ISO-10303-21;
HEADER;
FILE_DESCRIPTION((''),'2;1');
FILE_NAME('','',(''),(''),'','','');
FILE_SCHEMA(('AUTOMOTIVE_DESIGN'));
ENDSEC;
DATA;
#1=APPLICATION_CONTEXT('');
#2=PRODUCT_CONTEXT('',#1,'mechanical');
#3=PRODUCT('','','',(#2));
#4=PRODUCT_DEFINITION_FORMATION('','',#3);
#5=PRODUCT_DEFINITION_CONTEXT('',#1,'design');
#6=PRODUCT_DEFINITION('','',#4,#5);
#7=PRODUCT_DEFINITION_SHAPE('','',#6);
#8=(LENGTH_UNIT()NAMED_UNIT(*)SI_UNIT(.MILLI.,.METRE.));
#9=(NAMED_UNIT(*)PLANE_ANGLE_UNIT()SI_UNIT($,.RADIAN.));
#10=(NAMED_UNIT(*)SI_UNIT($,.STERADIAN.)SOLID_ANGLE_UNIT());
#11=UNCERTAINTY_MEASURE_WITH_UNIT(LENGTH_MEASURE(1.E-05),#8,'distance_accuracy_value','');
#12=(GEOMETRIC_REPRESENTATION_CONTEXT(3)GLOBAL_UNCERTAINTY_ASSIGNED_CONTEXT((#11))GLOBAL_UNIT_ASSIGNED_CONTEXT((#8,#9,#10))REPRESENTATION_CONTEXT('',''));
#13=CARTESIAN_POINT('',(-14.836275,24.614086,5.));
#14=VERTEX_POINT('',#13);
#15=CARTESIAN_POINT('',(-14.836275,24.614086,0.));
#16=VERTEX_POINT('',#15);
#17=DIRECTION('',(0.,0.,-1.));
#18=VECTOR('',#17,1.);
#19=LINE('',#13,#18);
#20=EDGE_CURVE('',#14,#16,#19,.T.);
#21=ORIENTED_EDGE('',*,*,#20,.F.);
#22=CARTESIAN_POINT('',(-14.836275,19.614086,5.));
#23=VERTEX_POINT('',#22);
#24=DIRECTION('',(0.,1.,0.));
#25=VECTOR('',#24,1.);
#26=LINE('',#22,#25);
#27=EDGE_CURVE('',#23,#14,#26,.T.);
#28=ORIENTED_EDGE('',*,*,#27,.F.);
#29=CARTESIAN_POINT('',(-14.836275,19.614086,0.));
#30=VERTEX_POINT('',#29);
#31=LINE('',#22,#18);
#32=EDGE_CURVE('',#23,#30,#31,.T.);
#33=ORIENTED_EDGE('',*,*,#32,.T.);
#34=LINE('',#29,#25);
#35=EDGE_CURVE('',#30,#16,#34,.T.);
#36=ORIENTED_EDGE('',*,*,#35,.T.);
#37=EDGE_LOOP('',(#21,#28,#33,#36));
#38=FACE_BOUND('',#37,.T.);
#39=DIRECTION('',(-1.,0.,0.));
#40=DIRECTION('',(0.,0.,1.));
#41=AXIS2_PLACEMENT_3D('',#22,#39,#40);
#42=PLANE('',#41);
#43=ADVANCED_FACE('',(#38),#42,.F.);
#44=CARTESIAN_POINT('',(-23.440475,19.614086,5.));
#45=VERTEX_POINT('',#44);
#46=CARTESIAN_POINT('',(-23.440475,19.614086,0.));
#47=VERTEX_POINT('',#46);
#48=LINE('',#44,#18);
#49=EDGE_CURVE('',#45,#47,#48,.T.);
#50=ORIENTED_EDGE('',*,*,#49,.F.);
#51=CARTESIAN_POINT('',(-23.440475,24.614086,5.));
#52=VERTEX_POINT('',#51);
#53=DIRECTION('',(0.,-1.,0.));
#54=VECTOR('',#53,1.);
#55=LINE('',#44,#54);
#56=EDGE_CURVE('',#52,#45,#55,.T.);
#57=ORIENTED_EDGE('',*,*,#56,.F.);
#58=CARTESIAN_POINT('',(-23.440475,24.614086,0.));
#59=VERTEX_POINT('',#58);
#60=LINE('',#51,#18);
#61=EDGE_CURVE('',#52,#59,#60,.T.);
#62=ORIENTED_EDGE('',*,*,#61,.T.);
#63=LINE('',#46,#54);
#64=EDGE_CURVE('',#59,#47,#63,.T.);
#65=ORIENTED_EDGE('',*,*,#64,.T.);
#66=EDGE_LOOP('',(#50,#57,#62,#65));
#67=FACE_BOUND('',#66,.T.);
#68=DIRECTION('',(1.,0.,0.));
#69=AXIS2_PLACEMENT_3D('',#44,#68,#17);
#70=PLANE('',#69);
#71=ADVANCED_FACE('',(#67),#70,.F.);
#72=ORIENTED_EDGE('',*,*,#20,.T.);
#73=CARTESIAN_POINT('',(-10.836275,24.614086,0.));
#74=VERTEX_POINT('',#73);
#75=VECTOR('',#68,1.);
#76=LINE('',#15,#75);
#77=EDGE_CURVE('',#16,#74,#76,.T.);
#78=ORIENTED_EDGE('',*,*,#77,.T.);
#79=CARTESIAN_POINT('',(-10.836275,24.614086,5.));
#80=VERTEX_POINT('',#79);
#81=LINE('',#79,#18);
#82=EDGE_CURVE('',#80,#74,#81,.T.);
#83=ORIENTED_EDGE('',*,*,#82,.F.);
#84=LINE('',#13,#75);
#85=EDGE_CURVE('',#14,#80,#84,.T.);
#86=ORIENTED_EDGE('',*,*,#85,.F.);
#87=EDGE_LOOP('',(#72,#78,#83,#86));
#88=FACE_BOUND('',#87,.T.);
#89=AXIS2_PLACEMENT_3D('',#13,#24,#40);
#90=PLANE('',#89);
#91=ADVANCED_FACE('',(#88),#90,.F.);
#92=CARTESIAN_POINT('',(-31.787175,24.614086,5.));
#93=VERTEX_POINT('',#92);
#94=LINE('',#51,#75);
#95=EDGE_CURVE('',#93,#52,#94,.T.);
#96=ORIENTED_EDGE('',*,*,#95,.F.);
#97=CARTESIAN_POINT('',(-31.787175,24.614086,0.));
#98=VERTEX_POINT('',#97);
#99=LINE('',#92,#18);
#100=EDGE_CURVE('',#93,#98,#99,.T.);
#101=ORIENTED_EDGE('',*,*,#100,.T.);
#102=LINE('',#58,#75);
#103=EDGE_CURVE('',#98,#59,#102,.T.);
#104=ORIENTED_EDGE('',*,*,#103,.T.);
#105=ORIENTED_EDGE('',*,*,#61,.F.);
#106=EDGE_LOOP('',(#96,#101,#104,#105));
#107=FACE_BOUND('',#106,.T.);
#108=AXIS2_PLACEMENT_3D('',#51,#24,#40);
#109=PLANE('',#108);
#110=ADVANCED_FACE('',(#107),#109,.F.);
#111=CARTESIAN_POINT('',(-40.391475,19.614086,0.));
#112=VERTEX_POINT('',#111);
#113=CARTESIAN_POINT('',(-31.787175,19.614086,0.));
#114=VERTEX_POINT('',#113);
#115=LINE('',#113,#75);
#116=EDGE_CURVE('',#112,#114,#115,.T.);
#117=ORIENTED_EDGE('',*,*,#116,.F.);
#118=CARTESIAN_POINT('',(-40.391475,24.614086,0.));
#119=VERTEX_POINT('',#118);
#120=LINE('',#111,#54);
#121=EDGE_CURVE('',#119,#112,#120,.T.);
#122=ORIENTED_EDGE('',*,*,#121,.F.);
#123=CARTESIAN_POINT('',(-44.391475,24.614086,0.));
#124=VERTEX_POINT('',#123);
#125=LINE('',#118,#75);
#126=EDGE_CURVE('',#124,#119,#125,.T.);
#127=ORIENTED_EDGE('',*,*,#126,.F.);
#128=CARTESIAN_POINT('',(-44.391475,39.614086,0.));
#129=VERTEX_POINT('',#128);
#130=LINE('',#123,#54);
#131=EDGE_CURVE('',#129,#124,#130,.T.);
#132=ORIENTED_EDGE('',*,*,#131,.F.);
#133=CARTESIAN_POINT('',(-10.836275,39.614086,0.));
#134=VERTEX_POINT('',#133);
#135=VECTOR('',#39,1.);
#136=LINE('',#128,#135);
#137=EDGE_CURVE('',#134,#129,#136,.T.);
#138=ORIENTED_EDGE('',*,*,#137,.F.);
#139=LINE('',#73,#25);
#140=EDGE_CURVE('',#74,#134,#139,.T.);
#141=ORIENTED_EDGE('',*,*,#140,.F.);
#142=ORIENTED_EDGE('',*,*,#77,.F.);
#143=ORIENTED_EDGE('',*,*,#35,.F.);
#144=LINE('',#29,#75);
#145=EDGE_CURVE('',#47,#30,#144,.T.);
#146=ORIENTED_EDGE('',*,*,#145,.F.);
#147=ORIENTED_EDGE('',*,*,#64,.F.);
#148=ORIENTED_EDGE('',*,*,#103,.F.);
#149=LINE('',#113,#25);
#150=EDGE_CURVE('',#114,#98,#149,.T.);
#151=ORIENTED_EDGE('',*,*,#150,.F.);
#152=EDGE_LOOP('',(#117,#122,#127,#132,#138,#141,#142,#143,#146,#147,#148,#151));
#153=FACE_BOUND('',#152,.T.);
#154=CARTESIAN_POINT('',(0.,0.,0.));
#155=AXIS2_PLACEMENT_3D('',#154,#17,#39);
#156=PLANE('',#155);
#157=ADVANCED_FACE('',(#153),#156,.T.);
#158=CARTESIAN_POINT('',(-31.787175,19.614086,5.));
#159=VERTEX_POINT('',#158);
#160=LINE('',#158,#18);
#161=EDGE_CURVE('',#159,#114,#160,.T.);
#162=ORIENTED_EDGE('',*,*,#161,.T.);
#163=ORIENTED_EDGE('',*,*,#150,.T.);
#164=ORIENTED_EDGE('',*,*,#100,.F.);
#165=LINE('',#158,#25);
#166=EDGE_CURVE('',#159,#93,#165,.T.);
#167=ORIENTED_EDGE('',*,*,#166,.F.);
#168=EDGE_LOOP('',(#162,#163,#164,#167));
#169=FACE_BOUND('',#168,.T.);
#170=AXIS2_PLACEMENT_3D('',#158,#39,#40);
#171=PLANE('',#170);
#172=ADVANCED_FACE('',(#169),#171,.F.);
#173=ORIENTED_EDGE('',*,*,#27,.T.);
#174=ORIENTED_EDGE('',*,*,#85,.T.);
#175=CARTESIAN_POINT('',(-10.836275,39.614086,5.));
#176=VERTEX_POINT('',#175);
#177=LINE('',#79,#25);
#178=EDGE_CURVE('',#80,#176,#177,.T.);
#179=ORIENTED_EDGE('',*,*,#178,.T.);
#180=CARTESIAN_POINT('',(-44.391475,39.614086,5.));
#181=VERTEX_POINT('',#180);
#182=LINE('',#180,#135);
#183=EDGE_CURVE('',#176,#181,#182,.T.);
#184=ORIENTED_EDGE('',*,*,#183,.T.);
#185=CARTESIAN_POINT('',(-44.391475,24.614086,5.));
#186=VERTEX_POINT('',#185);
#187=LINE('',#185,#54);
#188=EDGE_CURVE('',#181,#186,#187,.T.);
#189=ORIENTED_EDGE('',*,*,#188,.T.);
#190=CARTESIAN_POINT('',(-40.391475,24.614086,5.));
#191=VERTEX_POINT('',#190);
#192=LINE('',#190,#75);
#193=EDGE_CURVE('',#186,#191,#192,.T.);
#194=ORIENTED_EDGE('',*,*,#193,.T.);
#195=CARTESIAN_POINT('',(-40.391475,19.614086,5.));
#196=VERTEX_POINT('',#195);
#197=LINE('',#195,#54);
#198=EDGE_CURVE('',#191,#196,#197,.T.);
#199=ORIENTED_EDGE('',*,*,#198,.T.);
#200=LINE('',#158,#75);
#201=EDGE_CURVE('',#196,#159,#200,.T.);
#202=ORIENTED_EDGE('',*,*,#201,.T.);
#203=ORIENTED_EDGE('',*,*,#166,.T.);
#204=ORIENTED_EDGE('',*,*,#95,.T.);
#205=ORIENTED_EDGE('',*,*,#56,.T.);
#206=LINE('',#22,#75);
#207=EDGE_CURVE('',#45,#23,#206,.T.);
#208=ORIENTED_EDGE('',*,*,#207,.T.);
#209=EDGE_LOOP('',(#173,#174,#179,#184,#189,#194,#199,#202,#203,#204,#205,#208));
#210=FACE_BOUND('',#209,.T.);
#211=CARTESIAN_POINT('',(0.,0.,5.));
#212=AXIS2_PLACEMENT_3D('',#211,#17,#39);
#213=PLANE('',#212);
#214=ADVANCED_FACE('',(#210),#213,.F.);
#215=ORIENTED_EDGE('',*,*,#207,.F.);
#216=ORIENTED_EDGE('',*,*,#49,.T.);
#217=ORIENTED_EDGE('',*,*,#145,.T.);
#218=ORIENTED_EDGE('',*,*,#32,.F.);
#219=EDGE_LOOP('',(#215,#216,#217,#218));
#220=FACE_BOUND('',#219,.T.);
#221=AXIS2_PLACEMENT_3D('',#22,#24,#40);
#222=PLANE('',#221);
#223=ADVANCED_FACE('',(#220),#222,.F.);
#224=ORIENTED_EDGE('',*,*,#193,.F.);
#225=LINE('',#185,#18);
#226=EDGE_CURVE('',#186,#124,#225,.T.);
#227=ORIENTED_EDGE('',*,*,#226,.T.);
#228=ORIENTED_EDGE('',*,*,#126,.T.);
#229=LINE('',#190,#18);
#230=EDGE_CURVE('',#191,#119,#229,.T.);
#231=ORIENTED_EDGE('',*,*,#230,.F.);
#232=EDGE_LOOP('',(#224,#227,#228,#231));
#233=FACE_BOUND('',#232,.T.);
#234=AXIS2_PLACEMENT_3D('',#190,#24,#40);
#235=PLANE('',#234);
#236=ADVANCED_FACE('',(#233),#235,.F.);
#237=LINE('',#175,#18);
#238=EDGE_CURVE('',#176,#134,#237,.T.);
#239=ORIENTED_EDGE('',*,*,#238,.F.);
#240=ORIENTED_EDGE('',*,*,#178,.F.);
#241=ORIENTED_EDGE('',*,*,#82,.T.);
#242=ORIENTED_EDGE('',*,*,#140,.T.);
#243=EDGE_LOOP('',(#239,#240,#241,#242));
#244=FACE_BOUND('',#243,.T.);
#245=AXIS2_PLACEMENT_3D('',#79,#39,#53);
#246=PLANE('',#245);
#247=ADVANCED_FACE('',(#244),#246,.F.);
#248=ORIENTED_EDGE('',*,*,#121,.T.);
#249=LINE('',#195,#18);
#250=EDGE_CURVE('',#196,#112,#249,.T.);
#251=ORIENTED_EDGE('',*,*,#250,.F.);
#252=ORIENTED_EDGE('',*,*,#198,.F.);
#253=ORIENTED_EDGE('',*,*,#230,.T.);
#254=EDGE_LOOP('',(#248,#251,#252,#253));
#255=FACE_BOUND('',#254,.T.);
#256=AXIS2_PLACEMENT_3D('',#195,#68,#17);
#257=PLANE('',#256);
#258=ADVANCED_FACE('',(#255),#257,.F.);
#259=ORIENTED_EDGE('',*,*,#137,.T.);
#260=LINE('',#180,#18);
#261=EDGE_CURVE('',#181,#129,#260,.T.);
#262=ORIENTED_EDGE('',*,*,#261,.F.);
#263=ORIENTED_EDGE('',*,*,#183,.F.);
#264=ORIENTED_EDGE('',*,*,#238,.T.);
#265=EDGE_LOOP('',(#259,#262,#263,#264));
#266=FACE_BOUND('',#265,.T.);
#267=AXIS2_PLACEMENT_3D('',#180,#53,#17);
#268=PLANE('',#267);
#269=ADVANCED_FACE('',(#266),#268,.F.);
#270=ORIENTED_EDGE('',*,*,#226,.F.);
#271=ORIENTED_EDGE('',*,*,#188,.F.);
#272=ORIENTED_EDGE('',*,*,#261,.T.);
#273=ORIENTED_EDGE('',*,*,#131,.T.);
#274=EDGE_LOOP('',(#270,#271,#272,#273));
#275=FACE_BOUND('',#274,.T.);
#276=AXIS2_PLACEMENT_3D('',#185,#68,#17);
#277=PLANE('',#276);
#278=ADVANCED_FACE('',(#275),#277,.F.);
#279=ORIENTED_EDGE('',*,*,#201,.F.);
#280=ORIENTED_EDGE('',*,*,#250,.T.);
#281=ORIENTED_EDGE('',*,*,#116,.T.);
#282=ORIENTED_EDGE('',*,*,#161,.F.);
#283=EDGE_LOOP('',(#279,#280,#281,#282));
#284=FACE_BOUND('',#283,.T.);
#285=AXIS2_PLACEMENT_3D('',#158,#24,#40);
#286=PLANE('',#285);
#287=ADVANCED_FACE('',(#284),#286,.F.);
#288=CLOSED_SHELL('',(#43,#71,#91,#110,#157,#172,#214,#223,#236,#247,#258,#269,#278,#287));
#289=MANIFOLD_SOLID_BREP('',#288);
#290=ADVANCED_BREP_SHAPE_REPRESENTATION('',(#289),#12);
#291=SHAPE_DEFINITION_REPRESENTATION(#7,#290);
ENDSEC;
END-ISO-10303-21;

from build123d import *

# Parameters (mm, degrees)
BOSS_EXTRUDE1_DEPTH = 5


with BuildPart() as part:
    # Sketch1 → Boss-Extrude1 (new body)
    with BuildSketch(Plane.XY):
        Polygon((-44.39147487, 39.614086071), (-10.83627487, 39.614086071), (-10.83627487, 24.614086071), (-14.83627487, 24.614086071), (-14.83627487, 19.614086071), (-23.44047487, 19.614086071), (-23.44047487, 24.614086071), (-31.78717487, 24.614086071), (-31.78717487, 19.614086071), (-40.39147487, 19.614086071), (-40.39147487, 24.614086071), (-44.39147487, 24.614086071), align=None)
    extrude(amount=BOSS_EXTRUDE1_DEPTH)


solid = part.part
